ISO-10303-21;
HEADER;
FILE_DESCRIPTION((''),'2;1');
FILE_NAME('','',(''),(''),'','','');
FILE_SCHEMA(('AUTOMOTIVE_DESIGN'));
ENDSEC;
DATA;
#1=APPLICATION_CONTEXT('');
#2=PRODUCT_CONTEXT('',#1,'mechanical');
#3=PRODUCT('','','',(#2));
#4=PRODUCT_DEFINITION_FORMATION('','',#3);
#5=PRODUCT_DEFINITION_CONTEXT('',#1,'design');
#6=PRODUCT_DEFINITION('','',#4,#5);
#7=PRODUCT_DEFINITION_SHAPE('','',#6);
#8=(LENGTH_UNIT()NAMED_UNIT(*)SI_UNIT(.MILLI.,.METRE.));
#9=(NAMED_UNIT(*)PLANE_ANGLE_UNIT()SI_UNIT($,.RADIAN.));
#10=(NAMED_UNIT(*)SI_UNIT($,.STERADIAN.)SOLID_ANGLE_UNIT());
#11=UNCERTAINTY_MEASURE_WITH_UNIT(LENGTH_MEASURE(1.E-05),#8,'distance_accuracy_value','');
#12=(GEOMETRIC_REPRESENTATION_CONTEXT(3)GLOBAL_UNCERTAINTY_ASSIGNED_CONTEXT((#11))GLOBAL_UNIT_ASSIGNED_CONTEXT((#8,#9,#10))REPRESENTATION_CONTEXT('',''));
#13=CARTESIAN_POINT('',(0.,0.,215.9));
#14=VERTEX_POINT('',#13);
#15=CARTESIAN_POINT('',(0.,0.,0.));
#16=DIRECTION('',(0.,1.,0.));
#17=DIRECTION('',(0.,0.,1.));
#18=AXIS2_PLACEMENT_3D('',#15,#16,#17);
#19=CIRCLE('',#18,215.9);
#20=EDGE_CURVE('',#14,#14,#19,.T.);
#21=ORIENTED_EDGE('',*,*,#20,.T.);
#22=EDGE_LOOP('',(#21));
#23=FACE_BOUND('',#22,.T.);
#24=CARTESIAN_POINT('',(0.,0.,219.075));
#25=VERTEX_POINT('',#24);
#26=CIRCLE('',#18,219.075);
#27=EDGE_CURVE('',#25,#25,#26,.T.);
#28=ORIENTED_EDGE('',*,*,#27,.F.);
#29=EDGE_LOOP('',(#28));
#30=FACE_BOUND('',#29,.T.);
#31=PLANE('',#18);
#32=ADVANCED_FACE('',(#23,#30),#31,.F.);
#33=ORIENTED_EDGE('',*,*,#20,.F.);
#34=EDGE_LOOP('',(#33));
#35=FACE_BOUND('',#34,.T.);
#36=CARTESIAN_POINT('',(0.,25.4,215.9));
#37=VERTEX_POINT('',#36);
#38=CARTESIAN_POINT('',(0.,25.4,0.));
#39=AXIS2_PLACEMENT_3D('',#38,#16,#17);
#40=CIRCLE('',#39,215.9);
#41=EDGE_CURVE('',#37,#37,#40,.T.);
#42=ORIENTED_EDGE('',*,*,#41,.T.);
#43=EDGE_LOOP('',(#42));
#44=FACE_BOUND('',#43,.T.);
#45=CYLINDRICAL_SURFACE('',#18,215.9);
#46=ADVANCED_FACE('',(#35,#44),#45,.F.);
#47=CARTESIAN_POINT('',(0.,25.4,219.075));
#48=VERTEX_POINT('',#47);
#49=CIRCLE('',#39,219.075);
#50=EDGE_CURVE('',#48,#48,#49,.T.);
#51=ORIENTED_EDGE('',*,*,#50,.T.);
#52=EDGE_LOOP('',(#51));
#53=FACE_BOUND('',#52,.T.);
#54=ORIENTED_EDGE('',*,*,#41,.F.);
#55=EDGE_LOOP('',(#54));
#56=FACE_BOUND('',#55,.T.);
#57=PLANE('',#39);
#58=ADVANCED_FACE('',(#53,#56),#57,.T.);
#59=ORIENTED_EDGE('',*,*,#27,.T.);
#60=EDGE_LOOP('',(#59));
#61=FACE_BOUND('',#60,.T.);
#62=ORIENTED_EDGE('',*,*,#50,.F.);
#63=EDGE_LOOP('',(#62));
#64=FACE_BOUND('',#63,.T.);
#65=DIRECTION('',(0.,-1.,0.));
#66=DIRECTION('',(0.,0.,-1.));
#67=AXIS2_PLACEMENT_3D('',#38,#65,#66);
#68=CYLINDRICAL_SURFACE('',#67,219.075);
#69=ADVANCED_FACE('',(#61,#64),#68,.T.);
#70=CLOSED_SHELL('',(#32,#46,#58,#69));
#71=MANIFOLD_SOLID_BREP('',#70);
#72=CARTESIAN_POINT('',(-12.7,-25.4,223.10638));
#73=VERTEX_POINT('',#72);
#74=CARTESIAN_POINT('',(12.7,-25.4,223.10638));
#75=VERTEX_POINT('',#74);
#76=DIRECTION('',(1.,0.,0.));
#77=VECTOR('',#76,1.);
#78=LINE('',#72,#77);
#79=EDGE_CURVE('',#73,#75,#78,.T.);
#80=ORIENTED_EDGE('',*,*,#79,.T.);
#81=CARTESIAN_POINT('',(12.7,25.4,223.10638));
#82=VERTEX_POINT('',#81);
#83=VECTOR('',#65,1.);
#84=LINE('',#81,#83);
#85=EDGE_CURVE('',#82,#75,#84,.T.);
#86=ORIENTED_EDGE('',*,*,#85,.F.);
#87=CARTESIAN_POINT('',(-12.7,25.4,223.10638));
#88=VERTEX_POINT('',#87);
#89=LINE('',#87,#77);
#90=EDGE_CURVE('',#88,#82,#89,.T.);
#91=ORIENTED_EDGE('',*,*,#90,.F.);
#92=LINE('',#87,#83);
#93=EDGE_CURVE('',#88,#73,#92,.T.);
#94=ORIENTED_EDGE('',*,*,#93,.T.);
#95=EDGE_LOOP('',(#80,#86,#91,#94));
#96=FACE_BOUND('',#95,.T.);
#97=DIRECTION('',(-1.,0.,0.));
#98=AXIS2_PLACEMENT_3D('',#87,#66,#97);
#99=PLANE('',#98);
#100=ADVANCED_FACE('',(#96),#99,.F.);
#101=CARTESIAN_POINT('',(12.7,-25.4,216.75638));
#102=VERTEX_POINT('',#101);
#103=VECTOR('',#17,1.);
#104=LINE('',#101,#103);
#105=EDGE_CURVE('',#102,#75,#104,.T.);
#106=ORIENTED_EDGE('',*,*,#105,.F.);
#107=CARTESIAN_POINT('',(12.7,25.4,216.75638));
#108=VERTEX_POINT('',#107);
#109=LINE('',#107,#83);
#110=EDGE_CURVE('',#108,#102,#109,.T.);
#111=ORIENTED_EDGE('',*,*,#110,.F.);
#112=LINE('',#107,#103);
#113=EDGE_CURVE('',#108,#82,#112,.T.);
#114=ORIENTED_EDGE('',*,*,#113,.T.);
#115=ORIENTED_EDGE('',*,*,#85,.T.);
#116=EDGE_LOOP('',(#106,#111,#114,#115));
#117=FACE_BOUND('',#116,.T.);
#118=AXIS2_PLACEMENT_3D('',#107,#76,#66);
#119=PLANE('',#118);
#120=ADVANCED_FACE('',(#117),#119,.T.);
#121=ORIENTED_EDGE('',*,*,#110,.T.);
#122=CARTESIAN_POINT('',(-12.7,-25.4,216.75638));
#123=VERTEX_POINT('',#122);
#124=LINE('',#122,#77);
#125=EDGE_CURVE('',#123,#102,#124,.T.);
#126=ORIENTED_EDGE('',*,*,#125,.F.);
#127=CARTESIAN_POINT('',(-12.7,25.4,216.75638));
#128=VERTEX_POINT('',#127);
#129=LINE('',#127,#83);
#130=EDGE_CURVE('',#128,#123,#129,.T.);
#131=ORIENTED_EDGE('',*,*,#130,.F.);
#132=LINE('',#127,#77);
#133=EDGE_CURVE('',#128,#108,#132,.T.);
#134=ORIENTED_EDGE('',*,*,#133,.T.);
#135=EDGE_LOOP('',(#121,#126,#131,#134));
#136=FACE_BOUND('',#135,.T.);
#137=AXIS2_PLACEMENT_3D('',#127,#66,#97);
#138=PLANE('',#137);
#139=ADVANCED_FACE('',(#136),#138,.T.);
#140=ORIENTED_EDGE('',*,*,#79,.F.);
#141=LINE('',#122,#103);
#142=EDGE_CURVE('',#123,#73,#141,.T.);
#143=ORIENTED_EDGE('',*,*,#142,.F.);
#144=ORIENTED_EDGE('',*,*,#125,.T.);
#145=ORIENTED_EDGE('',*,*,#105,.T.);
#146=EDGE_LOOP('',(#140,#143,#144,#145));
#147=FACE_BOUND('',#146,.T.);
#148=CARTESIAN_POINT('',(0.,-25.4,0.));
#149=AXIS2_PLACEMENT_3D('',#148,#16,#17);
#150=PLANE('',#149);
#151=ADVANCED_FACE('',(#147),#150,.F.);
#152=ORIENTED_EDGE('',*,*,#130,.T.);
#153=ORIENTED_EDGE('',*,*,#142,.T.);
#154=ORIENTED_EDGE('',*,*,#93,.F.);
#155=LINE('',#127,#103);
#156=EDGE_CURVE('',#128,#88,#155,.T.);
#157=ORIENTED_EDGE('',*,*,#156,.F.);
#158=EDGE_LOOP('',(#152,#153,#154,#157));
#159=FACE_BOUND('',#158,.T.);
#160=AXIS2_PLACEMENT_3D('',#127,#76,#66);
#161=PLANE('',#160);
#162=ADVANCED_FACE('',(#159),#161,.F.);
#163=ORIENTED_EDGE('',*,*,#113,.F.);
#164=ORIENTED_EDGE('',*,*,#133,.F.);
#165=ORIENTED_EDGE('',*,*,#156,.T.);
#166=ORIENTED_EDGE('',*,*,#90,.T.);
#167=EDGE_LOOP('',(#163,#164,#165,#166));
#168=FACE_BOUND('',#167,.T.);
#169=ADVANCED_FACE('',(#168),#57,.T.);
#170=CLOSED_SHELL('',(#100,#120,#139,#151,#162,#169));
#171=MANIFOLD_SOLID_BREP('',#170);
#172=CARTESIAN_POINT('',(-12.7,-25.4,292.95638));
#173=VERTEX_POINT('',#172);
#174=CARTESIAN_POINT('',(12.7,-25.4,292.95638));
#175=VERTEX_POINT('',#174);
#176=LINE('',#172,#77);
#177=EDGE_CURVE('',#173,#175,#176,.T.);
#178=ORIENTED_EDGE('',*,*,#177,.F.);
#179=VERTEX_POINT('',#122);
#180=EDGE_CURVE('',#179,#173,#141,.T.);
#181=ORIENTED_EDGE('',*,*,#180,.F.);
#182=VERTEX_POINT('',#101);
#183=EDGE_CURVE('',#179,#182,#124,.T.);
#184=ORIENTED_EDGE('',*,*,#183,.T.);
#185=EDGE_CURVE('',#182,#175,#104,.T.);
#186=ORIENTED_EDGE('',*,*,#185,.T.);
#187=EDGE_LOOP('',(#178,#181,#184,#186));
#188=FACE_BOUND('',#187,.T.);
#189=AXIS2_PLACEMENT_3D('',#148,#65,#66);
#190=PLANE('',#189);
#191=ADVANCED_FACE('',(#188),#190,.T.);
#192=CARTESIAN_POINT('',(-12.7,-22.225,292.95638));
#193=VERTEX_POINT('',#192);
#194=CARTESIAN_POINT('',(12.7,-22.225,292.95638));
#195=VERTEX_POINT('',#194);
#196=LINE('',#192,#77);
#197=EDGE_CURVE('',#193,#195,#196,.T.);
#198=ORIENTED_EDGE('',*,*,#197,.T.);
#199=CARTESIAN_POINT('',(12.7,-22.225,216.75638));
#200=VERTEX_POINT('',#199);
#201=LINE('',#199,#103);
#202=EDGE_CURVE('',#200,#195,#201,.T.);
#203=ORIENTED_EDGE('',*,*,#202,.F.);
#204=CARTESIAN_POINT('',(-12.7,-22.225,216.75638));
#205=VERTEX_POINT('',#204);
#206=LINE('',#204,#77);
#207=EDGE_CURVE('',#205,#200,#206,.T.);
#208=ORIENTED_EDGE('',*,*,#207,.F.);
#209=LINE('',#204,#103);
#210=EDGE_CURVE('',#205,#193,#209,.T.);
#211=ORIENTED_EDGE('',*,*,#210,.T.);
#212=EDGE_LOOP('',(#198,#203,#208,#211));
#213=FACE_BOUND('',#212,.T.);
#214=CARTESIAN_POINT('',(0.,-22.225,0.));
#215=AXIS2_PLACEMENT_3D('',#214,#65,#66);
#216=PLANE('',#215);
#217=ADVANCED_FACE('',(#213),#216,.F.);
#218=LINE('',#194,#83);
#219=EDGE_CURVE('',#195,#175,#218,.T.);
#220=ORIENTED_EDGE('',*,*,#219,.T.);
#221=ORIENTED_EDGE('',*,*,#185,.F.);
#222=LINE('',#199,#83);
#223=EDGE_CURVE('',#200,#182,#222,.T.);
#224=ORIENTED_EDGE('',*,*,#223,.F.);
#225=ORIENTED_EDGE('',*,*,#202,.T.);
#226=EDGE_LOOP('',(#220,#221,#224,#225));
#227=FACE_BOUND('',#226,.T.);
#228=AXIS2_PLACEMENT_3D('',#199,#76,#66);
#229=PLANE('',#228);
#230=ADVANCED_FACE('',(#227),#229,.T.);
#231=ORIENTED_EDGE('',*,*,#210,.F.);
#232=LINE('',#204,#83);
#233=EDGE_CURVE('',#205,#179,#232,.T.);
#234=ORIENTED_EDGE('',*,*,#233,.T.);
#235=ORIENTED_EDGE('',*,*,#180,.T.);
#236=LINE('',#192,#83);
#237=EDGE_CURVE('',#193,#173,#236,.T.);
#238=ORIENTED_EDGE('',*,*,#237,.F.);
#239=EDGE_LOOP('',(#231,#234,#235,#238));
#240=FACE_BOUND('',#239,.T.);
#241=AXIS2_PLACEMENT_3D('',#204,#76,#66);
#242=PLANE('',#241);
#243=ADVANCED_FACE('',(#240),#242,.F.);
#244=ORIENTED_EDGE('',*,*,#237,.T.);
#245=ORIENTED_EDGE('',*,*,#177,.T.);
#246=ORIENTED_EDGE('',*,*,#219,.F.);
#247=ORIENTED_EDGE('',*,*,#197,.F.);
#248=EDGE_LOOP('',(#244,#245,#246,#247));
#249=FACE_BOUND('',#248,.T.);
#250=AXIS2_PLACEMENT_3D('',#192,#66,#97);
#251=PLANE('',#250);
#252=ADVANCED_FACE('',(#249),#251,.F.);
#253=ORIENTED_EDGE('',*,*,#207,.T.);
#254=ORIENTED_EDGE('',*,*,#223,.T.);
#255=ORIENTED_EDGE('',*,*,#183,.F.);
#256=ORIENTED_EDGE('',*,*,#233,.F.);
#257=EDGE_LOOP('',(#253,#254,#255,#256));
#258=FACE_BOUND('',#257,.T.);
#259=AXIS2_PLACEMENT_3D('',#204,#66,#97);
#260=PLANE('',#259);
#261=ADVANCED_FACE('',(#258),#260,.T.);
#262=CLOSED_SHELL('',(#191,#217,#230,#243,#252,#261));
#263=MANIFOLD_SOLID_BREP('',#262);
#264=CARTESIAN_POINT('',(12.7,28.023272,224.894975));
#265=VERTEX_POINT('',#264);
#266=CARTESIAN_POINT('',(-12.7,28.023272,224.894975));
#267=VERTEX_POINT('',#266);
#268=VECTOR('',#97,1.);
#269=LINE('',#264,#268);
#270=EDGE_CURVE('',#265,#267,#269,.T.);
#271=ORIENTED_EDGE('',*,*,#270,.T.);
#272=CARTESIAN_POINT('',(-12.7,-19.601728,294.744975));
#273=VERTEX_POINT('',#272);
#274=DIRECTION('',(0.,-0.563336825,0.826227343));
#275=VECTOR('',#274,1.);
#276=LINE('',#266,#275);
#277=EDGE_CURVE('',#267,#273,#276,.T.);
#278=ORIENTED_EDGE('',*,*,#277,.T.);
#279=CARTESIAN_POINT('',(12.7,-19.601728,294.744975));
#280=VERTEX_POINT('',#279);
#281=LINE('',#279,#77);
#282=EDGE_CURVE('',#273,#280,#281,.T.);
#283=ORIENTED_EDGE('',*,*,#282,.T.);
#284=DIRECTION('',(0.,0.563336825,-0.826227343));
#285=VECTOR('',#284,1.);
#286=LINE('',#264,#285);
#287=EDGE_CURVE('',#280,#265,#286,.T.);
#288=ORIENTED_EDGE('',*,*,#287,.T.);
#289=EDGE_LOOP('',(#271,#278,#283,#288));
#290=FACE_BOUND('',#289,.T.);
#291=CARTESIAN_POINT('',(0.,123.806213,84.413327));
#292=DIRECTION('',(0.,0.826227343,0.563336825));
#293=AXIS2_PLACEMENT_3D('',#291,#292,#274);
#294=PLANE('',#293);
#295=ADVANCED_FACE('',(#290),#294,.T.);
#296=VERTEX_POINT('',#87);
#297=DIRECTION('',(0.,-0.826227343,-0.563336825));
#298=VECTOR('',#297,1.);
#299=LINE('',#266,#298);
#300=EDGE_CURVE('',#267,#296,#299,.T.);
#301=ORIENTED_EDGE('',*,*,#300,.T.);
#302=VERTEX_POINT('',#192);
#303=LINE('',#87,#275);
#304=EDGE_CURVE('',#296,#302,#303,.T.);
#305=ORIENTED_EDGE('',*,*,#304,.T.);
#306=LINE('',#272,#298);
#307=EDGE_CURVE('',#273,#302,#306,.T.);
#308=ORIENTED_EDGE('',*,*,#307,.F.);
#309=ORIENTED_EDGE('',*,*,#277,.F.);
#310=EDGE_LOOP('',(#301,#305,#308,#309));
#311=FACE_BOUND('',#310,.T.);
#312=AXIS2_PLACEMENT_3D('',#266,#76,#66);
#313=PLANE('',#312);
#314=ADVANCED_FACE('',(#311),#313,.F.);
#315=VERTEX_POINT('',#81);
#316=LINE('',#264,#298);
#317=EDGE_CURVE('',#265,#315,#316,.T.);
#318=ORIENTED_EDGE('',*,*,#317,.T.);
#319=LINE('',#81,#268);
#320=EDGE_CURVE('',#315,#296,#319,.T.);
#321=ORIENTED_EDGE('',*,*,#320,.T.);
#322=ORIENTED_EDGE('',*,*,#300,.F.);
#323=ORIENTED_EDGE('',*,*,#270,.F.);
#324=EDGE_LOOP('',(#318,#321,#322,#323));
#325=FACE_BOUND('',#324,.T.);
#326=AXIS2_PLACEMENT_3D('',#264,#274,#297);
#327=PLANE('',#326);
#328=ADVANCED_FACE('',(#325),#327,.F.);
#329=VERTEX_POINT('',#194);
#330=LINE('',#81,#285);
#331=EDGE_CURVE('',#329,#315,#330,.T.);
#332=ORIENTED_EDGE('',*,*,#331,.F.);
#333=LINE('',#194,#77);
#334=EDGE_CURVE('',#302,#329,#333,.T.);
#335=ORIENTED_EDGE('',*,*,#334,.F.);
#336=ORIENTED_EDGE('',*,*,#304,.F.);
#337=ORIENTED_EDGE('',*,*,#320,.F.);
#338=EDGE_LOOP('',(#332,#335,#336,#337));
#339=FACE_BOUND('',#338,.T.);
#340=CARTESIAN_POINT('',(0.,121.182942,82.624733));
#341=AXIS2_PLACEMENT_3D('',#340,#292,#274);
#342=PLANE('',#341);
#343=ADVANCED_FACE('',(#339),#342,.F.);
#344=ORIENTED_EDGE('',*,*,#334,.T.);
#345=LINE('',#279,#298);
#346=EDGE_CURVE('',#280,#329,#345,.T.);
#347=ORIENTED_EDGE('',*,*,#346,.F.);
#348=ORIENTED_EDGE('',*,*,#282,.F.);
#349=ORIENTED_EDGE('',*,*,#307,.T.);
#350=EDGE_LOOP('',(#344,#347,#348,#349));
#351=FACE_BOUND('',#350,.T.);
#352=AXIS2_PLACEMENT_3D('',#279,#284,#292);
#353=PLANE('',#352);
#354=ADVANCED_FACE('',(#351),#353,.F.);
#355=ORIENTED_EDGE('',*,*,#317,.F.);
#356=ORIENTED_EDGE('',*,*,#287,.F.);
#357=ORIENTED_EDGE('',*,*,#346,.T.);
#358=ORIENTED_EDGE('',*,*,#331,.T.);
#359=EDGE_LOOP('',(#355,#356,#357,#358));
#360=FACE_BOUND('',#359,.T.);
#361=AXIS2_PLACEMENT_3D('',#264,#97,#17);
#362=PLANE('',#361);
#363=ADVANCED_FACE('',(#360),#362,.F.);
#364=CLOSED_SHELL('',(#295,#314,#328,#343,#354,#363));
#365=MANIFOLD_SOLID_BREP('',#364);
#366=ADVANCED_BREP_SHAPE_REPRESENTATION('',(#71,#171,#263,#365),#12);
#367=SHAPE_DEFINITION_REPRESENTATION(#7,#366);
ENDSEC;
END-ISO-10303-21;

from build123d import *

# Parameters (mm, degrees)
SKETCH1_R            = 219.075
BOSS_EXTRUDE1_DEPTH  = 25.4
SKETCH2_R            = 215.9
CUT_EXTRUDE1_DEPTH   = 311.858281617
SKETCH7_W            = 25.4
SKETCH7_H            = 6.35
BOSS_EXTRUDE7_DEPTH  = 50.8
SKETCH13_W           = 25.4
SKETCH13_H           = 76.2
BOSS_EXTRUDE11_DEPTH = 3.175
SKETCH22_W           = 84.540896168
SKETCH22_H           = 25.4
BOSS_EXTRUDE12_DEPTH = 3.175


with BuildPart() as part:
    # Sketch1 → Boss-Extrude1 (new body)
    with BuildSketch(Plane(origin=(0, 0, 0), x_dir=(1, 0, 0), z_dir=(0, 1, 0))):
        with Locations(Location((0, 0, 0), (0, 0, 270))):
            Circle(SKETCH1_R)
    extrude(amount=BOSS_EXTRUDE1_DEPTH)

    # Sketch2 → Cut-Extrude1 (cut, through all)
    with BuildSketch(Plane(origin=(0, 25.4, 0), x_dir=(1, 0, 0), z_dir=(0, 1, 0))):
        with Locations(Location((0, 0, 0), (0, 0, 270))):
            Circle(SKETCH2_R)
    extrude(amount=-CUT_EXTRUDE1_DEPTH, mode=Mode.SUBTRACT)


with BuildPart() as body_2:
    # Sketch7 → Boss-Extrude7 (new body)
    with BuildSketch(Plane(origin=(0, -25.4, 0), x_dir=(1, 0, 0), z_dir=(0, 1, 0))):
        with Locations((0, -219.931380434)):
            Rectangle(SKETCH7_W, SKETCH7_H)
    extrude(amount=BOSS_EXTRUDE7_DEPTH)


with BuildPart() as body_3:
    # Sketch13 → Boss-Extrude11 (new body)
    with BuildSketch(Plane(origin=(0, -25.4, 0), x_dir=(1, 0, 0), z_dir=(0, 1, 0))):
        with Locations((0, -254.856380434)):
            Rectangle(SKETCH13_W, SKETCH13_H)
    extrude(amount=BOSS_EXTRUDE11_DEPTH)


with BuildPart() as body_4:
    # Sketch22 → Boss-Extrude12 (new body)
    with BuildSketch(Plane(origin=(0, 121.182941528, 82.62473286), x_dir=(0, -0.5633368246415097, 0.8262273428075478), z_dir=(0, 0.8262273428075478, 0.5633368246415097))):
        with Locations((212.298284608, 0)):
            Rectangle(SKETCH22_W, SKETCH22_H)
    extrude(amount=BOSS_EXTRUDE12_DEPTH)


solid = Compound([part.part, body_2.part, body_3.part, body_4.part])
